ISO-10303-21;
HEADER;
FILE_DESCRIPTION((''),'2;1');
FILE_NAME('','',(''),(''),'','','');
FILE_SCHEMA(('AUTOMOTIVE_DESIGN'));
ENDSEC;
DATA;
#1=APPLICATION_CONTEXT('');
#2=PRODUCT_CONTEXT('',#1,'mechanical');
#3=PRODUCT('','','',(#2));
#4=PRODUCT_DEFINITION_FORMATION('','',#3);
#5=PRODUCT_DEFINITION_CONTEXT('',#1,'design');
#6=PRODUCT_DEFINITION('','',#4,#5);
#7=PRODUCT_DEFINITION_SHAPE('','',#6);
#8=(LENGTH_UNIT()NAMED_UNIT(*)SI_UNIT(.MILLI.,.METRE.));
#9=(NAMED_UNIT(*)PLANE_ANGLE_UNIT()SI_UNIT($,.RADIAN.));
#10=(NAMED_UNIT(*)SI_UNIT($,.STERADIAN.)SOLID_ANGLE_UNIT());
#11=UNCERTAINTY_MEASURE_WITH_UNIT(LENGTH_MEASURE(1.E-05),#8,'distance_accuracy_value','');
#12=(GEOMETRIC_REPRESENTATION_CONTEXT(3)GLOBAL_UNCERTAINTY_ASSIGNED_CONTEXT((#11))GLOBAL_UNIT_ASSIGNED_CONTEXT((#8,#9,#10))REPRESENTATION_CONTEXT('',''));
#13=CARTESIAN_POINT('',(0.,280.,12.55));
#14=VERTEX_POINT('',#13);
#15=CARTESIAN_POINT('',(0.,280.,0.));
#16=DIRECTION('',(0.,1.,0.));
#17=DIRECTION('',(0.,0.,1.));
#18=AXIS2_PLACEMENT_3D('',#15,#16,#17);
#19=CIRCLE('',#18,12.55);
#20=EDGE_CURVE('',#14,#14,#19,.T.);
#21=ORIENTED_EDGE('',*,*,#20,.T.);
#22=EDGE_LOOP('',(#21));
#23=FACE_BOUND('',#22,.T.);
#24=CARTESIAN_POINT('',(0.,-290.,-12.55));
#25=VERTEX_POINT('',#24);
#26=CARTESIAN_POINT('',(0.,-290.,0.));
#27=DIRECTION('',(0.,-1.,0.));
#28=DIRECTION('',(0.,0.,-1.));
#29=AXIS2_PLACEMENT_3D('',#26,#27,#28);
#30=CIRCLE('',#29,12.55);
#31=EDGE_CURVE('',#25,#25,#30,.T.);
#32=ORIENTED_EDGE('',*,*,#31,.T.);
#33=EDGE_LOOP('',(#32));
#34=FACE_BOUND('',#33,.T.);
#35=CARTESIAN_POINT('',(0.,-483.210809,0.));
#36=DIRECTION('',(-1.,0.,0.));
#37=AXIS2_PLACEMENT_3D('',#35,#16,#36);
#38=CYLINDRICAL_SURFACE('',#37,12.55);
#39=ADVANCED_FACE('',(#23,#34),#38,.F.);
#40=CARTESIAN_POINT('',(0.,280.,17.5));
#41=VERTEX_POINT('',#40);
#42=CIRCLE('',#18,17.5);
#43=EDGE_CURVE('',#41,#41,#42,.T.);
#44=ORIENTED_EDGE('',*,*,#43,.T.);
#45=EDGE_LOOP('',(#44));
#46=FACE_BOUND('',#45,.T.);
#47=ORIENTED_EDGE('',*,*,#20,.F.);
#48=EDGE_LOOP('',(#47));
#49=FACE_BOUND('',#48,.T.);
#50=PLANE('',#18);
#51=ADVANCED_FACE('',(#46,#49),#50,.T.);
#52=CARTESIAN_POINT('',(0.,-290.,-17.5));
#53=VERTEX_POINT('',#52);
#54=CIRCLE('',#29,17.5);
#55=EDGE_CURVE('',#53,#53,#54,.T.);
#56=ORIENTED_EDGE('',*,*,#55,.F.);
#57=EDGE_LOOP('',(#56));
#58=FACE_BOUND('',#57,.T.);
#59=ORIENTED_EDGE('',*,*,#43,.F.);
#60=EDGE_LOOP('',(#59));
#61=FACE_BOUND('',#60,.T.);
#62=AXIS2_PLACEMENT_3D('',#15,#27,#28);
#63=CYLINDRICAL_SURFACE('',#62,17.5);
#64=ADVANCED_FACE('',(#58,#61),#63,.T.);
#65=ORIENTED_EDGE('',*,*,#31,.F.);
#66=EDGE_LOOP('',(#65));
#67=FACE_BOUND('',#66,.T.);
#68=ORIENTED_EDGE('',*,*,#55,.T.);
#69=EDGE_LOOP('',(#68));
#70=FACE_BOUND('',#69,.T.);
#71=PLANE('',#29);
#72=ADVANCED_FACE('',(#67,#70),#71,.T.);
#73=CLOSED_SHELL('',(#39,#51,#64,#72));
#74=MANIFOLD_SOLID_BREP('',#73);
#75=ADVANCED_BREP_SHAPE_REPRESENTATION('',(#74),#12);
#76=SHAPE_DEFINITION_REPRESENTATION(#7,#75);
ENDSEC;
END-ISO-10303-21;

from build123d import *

# Parameters (mm, degrees)
SKETCH1_R           = 17.5
SKETCH1_R_2         = 12.5
BOSS_EXTRUDE1_DEPTH = 280
SKETCH8_R           = 17.5
BOSS_EXTRUDE3_DEPTH = 10
SKETCH9_R           = 12.55
CUT_EXTRUDE2_DEPTH  = 899.5


with BuildPart() as part:
    # Sketch1 → Boss-Extrude1 (new, symmetric)
    with BuildSketch(Plane(origin=(0, 0, 0), x_dir=(1, 0, 0), z_dir=(0, 1, 0))):
        Circle(SKETCH1_R)
        Circle(SKETCH1_R_2, mode=Mode.SUBTRACT)
    extrude(amount=BOSS_EXTRUDE1_DEPTH, both=True)

    # Sketch8 → Boss-Extrude3 (add)
    with BuildSketch(Plane.XZ.offset(280)):
        Circle(SKETCH8_R)
    extrude(amount=BOSS_EXTRUDE3_DEPTH)

    # Sketch9 → Cut-Extrude2 (cut)
    with BuildSketch(Plane(origin=(-32.302786122, 416.289190775, -45.221901395), x_dir=(-0.9768887275019512, 0, 0.2137484832217963), z_dir=(0, 1, 0))):
        with Locations((-21.890114798, 51.081437247)):
            Circle(SKETCH9_R)
    extrude(amount=-CUT_EXTRUDE2_DEPTH, mode=Mode.SUBTRACT)


solid = part.part
